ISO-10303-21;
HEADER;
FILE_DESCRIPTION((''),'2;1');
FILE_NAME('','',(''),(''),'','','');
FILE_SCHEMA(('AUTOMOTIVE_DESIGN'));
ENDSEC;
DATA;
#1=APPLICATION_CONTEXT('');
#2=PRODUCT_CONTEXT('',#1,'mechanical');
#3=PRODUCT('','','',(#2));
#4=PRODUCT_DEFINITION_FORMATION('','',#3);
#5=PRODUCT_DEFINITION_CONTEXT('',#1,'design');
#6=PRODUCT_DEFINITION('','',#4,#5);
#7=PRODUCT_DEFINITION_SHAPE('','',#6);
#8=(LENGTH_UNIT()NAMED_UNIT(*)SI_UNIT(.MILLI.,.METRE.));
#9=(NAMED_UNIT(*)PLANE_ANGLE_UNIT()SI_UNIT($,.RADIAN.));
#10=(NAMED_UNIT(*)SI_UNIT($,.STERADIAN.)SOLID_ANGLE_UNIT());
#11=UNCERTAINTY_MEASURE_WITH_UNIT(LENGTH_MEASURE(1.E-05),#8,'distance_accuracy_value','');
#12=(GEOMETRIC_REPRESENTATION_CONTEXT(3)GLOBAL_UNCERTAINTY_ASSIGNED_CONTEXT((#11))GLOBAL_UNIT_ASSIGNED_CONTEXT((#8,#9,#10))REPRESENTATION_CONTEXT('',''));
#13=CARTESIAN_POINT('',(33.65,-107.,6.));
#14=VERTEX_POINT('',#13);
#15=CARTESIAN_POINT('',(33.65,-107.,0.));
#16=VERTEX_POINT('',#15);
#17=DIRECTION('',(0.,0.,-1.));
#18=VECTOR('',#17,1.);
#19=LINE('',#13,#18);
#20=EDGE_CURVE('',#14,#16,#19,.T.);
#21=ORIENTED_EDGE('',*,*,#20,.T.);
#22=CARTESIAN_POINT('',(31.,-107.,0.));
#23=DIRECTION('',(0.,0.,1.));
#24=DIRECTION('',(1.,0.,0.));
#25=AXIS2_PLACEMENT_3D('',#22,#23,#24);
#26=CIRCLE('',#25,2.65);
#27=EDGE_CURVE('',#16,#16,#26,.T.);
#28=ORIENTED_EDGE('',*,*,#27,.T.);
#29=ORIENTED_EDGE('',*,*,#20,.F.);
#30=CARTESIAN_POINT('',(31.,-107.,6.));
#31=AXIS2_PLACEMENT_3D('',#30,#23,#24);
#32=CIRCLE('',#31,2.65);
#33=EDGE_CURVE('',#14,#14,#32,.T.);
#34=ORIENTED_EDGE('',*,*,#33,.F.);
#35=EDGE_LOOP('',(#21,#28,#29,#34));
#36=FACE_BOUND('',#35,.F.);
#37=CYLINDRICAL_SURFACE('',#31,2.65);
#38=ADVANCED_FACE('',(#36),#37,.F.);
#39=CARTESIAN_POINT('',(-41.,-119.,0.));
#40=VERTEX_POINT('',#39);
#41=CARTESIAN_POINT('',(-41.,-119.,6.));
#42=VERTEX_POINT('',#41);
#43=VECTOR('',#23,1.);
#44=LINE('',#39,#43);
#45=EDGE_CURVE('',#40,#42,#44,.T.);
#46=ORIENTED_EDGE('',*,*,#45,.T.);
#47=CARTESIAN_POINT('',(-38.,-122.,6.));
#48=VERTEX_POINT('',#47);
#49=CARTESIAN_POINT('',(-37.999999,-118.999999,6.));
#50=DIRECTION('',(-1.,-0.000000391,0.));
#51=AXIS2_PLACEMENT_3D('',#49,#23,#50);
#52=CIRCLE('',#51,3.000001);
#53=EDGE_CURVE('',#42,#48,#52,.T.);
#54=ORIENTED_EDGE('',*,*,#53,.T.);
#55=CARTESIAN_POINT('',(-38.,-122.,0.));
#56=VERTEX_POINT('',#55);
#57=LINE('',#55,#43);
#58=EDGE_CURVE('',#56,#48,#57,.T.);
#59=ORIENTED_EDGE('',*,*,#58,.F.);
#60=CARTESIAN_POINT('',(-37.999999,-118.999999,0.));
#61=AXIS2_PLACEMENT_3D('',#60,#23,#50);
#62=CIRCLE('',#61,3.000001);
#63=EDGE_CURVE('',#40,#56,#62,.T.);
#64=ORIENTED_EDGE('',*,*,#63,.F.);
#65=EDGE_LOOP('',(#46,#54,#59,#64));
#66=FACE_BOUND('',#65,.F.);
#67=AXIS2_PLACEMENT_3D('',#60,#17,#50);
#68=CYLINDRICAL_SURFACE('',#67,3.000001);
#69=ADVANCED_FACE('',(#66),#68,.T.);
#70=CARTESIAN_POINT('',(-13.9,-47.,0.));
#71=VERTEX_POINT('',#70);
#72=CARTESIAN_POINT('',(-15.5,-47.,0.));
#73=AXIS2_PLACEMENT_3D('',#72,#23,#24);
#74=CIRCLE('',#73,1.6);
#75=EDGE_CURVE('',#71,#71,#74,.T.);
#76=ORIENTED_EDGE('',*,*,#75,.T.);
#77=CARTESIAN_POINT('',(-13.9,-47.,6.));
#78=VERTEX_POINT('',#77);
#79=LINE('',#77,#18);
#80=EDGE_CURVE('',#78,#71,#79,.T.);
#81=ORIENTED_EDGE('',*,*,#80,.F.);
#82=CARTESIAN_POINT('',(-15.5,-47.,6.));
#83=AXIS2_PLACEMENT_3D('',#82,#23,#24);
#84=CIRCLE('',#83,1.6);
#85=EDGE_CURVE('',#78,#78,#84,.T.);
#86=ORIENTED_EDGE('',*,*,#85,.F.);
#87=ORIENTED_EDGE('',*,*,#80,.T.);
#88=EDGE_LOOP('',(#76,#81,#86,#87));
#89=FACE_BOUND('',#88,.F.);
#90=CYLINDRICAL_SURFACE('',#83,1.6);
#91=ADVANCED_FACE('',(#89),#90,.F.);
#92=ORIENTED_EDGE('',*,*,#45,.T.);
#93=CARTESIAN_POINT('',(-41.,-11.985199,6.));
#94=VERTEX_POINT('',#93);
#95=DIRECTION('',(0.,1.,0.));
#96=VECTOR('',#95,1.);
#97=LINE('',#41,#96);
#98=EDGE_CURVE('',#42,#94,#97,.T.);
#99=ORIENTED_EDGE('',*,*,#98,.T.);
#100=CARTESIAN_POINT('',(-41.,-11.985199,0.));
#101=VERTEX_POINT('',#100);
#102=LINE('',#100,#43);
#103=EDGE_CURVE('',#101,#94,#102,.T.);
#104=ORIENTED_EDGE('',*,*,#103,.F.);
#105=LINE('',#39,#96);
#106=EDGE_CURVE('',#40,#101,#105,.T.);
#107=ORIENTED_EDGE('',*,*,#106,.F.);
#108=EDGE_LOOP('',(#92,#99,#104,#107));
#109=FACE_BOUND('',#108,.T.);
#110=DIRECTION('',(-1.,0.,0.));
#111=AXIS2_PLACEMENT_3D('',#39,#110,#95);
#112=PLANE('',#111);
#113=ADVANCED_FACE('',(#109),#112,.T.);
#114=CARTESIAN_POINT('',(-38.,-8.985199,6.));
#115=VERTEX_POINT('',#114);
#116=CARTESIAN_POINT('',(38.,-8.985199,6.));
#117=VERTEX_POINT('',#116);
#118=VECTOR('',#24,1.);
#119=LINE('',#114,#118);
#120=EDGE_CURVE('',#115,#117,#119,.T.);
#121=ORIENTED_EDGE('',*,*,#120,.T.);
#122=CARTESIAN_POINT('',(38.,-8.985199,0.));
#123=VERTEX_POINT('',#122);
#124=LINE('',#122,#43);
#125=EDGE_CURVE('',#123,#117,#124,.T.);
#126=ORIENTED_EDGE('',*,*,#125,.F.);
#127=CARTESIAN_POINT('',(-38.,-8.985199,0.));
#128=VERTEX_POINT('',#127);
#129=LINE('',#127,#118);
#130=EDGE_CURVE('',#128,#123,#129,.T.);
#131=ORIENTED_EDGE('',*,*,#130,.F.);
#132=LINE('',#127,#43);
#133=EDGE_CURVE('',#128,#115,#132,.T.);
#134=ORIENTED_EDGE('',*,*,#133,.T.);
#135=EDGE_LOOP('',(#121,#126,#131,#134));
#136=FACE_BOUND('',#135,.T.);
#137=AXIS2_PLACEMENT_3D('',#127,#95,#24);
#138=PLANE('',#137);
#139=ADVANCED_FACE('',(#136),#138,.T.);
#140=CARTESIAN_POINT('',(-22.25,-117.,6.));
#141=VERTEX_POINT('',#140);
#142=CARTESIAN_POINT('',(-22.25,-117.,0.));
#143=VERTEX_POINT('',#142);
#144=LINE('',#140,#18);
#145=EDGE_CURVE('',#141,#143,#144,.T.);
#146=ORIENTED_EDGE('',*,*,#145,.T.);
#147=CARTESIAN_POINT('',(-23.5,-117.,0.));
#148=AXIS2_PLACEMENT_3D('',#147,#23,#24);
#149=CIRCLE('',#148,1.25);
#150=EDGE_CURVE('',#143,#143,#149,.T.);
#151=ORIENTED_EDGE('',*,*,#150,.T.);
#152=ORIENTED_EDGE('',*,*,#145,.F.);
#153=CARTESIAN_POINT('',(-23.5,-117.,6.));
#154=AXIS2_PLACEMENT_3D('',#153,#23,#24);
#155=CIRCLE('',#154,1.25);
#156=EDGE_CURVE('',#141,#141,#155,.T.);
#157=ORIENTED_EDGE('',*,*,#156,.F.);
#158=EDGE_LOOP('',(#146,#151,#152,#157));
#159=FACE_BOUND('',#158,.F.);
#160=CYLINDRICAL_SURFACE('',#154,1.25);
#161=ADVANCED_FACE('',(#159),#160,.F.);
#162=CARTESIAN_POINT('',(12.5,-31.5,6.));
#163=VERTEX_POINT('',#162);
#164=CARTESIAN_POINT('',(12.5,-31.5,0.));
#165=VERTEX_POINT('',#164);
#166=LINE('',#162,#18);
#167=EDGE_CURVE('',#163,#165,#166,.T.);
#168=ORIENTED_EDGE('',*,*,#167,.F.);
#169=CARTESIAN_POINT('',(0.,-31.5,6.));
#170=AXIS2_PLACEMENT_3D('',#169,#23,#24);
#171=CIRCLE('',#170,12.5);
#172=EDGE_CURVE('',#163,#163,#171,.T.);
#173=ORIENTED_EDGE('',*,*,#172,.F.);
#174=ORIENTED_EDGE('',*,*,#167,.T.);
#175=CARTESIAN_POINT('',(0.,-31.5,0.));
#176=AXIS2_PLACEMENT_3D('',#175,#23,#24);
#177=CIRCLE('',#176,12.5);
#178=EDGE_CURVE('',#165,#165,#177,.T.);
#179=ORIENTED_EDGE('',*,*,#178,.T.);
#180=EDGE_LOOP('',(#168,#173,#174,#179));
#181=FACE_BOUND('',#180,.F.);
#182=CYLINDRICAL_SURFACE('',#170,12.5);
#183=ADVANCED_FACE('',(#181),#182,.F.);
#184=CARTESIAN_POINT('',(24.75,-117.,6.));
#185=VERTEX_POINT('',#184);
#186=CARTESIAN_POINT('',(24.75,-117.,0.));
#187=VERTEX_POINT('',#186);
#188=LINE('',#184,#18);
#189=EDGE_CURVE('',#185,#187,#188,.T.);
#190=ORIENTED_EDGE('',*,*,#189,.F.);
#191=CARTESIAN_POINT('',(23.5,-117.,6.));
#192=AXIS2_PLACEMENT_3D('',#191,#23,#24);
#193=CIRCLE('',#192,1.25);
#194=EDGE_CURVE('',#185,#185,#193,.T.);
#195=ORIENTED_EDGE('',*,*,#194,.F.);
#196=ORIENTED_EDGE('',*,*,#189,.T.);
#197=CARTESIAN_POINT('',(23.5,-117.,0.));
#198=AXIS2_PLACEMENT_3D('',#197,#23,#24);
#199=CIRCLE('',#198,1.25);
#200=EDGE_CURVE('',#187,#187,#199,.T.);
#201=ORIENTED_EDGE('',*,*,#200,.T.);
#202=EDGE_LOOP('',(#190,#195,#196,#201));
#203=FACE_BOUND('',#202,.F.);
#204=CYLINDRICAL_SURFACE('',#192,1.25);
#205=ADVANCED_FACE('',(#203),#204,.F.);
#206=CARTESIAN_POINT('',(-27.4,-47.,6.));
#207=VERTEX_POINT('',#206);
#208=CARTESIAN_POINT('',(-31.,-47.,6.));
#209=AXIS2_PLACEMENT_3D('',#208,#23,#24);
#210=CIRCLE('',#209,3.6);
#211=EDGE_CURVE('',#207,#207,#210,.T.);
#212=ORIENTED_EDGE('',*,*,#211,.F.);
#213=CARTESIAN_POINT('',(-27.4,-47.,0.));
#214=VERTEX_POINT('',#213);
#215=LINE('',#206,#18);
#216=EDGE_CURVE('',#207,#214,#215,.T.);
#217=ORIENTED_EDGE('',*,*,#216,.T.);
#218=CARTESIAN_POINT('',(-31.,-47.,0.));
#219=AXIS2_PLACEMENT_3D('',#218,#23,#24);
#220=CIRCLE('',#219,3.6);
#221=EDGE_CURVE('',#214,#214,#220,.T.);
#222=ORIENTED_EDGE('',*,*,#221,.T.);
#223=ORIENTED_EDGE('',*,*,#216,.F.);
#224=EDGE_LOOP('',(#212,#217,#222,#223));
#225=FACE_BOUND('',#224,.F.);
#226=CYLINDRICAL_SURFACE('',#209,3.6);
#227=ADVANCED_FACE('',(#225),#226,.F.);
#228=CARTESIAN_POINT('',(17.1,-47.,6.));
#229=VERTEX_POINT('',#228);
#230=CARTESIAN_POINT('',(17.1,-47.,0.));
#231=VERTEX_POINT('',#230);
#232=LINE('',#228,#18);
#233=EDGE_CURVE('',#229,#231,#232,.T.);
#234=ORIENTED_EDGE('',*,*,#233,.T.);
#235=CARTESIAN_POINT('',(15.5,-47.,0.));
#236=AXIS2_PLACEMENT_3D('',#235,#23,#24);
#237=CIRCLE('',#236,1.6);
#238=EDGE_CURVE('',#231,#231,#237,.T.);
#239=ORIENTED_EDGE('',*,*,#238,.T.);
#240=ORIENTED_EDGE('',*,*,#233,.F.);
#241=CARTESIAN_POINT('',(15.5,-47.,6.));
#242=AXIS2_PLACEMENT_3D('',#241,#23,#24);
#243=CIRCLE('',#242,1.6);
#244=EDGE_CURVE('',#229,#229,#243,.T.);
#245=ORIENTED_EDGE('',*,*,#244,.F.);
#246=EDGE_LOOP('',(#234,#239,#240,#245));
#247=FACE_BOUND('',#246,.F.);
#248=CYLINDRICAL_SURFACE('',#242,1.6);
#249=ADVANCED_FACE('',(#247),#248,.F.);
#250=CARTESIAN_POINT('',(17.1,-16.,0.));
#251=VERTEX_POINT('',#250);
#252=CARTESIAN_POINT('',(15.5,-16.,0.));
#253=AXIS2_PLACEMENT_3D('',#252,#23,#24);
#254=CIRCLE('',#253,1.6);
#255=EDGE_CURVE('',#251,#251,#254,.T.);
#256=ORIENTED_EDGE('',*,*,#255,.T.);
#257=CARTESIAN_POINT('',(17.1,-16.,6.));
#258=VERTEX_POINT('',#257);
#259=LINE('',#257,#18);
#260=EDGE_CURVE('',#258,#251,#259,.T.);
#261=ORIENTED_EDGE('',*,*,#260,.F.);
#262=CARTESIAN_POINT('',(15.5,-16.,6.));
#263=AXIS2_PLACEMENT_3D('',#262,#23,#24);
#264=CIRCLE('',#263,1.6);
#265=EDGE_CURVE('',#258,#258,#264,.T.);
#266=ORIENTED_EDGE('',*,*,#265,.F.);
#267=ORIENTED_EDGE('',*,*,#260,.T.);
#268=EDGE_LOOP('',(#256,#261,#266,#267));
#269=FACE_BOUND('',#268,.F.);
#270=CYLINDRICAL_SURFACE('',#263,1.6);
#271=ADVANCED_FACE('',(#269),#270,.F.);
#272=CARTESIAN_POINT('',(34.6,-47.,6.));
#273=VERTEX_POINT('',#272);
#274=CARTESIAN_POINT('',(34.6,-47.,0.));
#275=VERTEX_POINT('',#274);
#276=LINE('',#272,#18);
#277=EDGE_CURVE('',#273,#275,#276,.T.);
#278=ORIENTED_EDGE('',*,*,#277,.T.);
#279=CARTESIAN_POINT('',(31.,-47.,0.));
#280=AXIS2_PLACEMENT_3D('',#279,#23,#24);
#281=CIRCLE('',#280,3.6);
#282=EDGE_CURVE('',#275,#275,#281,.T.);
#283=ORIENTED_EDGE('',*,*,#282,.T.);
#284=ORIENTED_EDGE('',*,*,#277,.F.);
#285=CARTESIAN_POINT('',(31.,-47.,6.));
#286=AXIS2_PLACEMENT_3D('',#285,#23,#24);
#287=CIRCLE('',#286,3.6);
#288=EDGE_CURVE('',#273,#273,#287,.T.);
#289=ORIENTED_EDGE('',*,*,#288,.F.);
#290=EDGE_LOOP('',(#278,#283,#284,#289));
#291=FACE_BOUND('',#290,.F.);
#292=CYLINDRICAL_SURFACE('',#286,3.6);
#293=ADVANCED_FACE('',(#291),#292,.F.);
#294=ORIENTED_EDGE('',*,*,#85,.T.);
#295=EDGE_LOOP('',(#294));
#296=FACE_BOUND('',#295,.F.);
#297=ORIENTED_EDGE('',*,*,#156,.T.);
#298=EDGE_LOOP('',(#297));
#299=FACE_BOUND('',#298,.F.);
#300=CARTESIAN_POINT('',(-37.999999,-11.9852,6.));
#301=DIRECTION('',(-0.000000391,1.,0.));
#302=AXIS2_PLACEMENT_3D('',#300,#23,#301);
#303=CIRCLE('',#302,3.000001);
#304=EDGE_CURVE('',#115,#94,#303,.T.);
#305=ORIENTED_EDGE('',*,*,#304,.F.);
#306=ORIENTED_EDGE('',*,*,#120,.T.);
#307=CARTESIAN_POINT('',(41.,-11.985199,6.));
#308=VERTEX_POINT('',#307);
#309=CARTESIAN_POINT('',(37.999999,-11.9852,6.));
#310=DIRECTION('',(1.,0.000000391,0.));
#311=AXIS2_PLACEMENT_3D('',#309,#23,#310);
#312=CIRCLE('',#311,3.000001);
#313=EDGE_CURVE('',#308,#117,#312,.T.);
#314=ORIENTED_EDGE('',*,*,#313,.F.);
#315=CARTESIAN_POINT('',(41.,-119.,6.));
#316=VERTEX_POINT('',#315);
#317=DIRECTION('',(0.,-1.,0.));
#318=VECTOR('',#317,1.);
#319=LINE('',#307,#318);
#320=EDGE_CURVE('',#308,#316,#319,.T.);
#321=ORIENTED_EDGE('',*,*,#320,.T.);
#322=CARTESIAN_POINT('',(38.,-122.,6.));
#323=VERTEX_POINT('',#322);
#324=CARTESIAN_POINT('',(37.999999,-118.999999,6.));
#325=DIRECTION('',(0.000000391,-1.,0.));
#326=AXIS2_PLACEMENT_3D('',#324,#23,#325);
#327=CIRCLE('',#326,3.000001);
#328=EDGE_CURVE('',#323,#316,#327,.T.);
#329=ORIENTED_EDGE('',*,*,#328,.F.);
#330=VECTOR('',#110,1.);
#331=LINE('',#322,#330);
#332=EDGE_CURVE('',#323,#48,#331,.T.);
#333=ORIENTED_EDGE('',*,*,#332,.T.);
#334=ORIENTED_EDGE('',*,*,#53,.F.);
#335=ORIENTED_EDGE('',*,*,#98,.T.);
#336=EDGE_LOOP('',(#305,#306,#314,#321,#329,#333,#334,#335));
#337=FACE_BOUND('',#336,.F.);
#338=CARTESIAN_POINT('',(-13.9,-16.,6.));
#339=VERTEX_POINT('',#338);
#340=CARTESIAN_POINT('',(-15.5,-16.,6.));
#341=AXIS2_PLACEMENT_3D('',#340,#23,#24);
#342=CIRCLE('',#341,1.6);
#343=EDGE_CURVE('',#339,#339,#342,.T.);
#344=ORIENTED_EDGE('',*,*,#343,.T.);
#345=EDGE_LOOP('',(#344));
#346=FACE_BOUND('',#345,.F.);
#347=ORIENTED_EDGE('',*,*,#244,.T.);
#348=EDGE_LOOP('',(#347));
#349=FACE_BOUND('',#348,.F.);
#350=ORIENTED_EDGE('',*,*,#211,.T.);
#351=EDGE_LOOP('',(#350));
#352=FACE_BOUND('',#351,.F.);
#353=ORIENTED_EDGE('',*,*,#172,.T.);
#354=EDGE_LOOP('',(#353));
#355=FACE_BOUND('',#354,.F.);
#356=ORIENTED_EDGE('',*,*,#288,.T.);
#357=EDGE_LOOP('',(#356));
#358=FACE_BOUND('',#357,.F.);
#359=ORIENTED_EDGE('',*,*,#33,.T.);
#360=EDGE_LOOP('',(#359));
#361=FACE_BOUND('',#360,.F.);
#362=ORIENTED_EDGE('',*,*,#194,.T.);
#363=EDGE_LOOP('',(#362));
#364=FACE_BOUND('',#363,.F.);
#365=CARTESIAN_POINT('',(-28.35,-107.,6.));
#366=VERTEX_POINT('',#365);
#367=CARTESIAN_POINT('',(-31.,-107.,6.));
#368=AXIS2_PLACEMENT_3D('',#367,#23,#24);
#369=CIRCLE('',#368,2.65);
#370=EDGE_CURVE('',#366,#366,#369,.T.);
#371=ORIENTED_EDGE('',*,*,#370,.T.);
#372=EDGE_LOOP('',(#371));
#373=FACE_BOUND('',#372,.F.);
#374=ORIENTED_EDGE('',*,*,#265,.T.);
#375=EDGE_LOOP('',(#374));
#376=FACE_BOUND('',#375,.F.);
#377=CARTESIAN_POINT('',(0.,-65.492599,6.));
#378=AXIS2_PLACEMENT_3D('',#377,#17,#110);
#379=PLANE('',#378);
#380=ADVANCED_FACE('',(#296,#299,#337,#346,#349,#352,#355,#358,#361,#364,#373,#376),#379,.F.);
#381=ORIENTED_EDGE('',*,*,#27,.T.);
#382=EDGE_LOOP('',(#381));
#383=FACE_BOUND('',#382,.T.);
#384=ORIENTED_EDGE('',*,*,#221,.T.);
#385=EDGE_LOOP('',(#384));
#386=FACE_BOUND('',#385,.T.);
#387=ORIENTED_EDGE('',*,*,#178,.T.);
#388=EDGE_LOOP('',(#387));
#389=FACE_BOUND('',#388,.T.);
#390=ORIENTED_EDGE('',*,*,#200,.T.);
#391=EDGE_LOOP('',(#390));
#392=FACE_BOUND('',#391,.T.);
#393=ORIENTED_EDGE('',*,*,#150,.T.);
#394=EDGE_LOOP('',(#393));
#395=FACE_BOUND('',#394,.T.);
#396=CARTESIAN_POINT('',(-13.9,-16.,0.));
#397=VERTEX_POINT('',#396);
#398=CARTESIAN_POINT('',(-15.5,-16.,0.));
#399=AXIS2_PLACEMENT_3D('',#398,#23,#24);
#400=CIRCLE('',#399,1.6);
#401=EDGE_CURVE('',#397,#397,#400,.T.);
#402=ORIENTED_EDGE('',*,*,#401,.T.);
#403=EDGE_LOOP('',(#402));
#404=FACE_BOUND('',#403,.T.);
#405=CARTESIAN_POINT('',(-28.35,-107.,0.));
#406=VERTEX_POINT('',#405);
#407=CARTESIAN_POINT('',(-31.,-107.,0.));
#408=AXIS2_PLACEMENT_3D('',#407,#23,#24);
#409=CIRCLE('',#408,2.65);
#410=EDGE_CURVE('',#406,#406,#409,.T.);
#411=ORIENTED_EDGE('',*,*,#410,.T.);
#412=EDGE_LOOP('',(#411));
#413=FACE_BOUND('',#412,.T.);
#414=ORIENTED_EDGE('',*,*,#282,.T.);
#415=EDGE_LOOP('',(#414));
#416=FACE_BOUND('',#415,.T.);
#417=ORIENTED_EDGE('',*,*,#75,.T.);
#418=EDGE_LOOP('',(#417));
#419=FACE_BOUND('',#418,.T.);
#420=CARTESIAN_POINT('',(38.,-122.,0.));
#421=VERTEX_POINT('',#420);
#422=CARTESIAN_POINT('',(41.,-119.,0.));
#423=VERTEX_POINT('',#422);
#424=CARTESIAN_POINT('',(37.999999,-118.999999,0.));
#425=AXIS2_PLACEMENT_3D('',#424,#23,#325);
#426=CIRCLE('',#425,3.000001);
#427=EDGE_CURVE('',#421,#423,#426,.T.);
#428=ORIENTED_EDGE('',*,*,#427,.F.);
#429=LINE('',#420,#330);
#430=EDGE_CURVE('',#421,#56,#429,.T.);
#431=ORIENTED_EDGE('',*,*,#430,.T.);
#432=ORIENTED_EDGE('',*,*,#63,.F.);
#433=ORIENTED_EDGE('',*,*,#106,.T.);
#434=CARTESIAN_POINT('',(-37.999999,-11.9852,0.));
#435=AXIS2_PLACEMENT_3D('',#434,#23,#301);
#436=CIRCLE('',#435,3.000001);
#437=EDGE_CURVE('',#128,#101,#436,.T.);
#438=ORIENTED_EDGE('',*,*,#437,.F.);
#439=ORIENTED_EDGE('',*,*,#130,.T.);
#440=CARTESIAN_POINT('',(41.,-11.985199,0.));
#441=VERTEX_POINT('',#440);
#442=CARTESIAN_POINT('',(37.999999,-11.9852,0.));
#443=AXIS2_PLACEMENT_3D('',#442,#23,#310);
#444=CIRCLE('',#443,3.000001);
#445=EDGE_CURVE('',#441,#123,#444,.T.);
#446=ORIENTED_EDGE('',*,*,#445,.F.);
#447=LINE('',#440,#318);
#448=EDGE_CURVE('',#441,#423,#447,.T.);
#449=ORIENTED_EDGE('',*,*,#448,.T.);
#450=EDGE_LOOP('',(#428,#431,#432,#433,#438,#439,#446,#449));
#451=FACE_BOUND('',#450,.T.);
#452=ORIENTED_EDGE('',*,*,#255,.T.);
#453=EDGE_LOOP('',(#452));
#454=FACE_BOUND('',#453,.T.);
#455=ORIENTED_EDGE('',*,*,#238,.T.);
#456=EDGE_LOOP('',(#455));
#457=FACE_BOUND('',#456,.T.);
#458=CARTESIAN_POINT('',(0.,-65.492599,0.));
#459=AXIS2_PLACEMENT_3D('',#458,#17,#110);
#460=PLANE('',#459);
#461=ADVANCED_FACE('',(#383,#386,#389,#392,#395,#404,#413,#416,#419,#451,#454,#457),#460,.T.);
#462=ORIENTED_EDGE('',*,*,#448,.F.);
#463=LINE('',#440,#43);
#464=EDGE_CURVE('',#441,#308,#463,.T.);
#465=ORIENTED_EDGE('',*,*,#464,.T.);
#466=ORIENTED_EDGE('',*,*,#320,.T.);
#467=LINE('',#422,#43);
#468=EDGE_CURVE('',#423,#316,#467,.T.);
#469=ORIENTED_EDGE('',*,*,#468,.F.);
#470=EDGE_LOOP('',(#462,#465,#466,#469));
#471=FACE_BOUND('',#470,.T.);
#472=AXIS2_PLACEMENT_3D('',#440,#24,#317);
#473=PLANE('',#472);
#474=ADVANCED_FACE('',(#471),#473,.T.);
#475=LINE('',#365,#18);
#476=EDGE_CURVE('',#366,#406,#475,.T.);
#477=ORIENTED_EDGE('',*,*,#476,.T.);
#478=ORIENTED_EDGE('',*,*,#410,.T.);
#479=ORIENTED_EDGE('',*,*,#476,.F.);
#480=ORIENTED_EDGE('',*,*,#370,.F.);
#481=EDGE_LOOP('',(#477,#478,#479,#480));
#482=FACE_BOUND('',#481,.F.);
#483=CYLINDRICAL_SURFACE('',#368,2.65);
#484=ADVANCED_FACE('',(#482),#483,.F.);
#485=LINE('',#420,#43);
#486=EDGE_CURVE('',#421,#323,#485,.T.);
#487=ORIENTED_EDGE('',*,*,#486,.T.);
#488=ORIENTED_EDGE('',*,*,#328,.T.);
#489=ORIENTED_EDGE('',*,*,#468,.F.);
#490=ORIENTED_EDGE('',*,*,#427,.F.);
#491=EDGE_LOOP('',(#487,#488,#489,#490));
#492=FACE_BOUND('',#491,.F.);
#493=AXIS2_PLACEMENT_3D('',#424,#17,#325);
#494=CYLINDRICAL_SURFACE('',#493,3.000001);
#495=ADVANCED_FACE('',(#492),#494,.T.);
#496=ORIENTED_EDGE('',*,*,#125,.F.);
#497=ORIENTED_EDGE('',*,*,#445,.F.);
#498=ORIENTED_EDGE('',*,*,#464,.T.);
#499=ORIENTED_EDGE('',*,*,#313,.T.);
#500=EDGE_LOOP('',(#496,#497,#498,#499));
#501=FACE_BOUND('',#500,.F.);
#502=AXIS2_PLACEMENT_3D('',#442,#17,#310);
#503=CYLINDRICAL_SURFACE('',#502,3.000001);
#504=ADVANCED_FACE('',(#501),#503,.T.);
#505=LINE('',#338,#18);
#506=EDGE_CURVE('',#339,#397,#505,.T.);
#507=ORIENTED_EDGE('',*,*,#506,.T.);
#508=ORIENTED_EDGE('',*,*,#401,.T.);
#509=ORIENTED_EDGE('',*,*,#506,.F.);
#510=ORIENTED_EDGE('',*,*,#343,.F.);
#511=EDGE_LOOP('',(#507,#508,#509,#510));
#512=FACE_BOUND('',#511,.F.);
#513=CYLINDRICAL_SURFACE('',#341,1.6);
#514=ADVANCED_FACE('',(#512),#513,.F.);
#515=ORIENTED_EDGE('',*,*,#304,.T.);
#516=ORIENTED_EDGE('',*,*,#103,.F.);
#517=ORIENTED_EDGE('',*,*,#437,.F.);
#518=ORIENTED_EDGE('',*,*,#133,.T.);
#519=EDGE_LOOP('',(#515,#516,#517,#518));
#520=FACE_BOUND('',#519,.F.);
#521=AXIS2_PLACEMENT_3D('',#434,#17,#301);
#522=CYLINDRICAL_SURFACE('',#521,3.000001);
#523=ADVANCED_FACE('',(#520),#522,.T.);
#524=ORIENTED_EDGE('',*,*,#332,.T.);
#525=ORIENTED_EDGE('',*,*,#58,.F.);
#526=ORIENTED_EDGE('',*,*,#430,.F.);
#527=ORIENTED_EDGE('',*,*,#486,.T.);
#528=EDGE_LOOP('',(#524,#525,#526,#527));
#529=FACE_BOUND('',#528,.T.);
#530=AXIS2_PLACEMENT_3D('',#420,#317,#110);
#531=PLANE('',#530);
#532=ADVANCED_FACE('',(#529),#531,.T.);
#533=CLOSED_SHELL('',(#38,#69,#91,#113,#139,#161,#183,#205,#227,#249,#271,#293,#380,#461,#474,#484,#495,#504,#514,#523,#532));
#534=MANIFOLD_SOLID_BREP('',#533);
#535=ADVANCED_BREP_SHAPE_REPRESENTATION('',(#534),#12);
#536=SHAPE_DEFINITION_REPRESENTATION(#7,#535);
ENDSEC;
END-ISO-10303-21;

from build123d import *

# Parameters (mm, degrees)
PAD010_DEPTH    = 6
SKETCH047_R     = 1.6
HOLE028_DEPTH   = 25
SKETCH050_R     = 12.5
POCKET006_DEPTH = 6.001
SKETCH048_R     = 3.6
HOLE029_DEPTH   = 25
SKETCH049_R     = 2.65
HOLE030_DEPTH   = 25
SKETCH063_R     = 1.25
HOLE032_DEPTH   = 25


with BuildPart() as part:
    # Sketch060 → Pad010 (new body)
    with BuildSketch(Plane.XY):
        with BuildLine():
            Line((-38, -8.985199), (38, -8.985199))
            ThreePointArc((41, -11.985199), (40.12132, -9.863879), (38, -8.985199))
            Line((41, -11.985199), (41, -119))
            ThreePointArc((38, -122), (40.12132, -121.12132), (41, -119))
            Line((38, -122), (-38, -122))
            ThreePointArc((-41, -119), (-40.12132, -121.12132), (-38, -122))
            Line((-41, -119), (-41, -11.985199))
            ThreePointArc((-38, -8.985199), (-40.12132, -9.863879), (-41, -11.985199))
        make_face()
    extrude(amount=PAD010_DEPTH)

    # Sketch047 (on Face10 of Pad010) → Hole028 (cut)
    with BuildSketch(Plane.XY.offset(6)):
        with Locations((-15.5, -16)):
            Circle(SKETCH047_R)
        with Locations((-15.5, -47)):
            Circle(SKETCH047_R)
        with Locations((15.5, -16)):
            Circle(SKETCH047_R)
        with Locations((15.5, -47)):
            Circle(SKETCH047_R)
    extrude(amount=-HOLE028_DEPTH, mode=Mode.SUBTRACT)

    # Sketch050 (on Face5 of Hole028) → Pocket006 (cut, through all)
    with BuildSketch(Plane.XY.offset(6)):
        with Locations((0, -31.5)):
            Circle(SKETCH050_R)
    extrude(amount=-POCKET006_DEPTH, mode=Mode.SUBTRACT)

    # Sketch048 (on Face5 of Pocket006) → Hole029 (cut)
    with BuildSketch(Plane.XY.offset(6)):
        with Locations((31, -47)):
            Circle(SKETCH048_R)
        with Locations((-31, -47)):
            Circle(SKETCH048_R)
    extrude(amount=-HOLE029_DEPTH, mode=Mode.SUBTRACT)

    # Sketch049 (on Face5 of Hole029) → Hole030 (cut)
    with BuildSketch(Plane.XY.offset(6)):
        with Locations((-31, -107)):
            Circle(SKETCH049_R)
        with Locations((31, -107)):
            Circle(SKETCH049_R)
    extrude(amount=-HOLE030_DEPTH, mode=Mode.SUBTRACT)

    # Sketch063 (on Face5 of Hole030) → Hole032 (cut)
    with BuildSketch(Plane.XY.offset(6)):
        with Locations((-23.5, -117)):
            Circle(SKETCH063_R)
        with Locations((23.5, -117)):
            Circle(SKETCH063_R)
    extrude(amount=-HOLE032_DEPTH, mode=Mode.SUBTRACT)


solid = part.part
